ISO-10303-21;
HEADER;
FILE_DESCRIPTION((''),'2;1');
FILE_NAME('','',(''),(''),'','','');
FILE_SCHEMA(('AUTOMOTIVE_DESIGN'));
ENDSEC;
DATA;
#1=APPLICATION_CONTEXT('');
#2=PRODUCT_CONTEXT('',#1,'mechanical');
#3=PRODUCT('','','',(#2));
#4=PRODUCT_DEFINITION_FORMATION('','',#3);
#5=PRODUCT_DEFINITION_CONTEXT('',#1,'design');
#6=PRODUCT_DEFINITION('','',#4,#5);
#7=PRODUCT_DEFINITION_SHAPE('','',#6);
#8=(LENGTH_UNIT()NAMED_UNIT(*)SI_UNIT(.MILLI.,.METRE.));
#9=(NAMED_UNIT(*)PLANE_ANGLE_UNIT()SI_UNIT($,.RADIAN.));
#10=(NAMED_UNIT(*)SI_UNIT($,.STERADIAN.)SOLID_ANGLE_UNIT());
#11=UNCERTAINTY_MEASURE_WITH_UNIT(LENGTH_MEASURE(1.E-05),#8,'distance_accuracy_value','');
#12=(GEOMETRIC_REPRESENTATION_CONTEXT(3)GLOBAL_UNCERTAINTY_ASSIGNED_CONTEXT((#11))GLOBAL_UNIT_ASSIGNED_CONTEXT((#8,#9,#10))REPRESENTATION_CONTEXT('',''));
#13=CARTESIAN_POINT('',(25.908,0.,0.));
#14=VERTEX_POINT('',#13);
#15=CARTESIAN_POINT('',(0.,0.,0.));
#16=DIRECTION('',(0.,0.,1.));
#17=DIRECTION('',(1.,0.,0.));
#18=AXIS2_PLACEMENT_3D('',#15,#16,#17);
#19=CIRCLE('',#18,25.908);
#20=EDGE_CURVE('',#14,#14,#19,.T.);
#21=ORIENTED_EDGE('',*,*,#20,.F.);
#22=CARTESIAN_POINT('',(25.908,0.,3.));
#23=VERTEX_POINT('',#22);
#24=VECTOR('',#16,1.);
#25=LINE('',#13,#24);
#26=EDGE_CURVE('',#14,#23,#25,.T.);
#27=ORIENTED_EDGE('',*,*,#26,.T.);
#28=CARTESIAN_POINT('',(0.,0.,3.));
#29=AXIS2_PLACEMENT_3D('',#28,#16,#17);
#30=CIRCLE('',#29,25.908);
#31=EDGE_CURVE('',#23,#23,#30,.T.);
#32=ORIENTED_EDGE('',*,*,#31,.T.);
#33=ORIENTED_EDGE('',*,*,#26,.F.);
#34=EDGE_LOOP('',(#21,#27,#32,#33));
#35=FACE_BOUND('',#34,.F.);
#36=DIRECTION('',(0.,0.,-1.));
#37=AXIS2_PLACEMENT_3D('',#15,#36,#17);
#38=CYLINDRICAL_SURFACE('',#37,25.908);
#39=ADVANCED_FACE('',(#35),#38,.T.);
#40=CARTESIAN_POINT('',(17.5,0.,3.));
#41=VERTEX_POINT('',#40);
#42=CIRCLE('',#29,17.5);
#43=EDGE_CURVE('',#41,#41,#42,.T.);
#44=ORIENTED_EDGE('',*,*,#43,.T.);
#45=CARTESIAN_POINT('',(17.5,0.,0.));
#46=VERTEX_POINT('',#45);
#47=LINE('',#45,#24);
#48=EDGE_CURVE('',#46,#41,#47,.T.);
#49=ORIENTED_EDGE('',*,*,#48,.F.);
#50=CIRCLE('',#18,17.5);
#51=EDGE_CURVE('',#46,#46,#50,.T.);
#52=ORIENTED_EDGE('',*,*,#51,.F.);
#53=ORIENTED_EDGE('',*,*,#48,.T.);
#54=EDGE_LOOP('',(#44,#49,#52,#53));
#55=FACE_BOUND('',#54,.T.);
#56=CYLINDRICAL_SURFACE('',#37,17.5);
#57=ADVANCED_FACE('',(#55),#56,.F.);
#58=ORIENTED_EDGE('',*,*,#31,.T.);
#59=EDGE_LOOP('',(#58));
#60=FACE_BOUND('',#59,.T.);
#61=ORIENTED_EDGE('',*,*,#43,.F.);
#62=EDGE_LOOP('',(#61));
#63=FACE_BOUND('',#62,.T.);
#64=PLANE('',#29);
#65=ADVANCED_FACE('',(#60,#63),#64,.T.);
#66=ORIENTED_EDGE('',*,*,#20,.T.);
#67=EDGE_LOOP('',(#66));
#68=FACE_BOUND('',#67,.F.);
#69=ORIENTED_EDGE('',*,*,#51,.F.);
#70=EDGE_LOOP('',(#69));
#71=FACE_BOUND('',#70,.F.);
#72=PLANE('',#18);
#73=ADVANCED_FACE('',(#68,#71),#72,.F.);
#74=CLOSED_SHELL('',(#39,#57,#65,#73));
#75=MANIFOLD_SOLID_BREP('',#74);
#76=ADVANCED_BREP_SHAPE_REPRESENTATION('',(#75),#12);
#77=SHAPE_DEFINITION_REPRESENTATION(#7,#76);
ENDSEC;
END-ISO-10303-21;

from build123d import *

# Parameters (mm, degrees)
SKETCH_R   = 25.908
SKETCH_R_2 = 17.5
PAD_DEPTH  = 3


with BuildPart() as part:
    # Sketch → Pad (new body)
    with BuildSketch(Plane.XY):
        Circle(SKETCH_R)
        Circle(SKETCH_R_2, mode=Mode.SUBTRACT)
    extrude(amount=PAD_DEPTH)


solid = part.part
